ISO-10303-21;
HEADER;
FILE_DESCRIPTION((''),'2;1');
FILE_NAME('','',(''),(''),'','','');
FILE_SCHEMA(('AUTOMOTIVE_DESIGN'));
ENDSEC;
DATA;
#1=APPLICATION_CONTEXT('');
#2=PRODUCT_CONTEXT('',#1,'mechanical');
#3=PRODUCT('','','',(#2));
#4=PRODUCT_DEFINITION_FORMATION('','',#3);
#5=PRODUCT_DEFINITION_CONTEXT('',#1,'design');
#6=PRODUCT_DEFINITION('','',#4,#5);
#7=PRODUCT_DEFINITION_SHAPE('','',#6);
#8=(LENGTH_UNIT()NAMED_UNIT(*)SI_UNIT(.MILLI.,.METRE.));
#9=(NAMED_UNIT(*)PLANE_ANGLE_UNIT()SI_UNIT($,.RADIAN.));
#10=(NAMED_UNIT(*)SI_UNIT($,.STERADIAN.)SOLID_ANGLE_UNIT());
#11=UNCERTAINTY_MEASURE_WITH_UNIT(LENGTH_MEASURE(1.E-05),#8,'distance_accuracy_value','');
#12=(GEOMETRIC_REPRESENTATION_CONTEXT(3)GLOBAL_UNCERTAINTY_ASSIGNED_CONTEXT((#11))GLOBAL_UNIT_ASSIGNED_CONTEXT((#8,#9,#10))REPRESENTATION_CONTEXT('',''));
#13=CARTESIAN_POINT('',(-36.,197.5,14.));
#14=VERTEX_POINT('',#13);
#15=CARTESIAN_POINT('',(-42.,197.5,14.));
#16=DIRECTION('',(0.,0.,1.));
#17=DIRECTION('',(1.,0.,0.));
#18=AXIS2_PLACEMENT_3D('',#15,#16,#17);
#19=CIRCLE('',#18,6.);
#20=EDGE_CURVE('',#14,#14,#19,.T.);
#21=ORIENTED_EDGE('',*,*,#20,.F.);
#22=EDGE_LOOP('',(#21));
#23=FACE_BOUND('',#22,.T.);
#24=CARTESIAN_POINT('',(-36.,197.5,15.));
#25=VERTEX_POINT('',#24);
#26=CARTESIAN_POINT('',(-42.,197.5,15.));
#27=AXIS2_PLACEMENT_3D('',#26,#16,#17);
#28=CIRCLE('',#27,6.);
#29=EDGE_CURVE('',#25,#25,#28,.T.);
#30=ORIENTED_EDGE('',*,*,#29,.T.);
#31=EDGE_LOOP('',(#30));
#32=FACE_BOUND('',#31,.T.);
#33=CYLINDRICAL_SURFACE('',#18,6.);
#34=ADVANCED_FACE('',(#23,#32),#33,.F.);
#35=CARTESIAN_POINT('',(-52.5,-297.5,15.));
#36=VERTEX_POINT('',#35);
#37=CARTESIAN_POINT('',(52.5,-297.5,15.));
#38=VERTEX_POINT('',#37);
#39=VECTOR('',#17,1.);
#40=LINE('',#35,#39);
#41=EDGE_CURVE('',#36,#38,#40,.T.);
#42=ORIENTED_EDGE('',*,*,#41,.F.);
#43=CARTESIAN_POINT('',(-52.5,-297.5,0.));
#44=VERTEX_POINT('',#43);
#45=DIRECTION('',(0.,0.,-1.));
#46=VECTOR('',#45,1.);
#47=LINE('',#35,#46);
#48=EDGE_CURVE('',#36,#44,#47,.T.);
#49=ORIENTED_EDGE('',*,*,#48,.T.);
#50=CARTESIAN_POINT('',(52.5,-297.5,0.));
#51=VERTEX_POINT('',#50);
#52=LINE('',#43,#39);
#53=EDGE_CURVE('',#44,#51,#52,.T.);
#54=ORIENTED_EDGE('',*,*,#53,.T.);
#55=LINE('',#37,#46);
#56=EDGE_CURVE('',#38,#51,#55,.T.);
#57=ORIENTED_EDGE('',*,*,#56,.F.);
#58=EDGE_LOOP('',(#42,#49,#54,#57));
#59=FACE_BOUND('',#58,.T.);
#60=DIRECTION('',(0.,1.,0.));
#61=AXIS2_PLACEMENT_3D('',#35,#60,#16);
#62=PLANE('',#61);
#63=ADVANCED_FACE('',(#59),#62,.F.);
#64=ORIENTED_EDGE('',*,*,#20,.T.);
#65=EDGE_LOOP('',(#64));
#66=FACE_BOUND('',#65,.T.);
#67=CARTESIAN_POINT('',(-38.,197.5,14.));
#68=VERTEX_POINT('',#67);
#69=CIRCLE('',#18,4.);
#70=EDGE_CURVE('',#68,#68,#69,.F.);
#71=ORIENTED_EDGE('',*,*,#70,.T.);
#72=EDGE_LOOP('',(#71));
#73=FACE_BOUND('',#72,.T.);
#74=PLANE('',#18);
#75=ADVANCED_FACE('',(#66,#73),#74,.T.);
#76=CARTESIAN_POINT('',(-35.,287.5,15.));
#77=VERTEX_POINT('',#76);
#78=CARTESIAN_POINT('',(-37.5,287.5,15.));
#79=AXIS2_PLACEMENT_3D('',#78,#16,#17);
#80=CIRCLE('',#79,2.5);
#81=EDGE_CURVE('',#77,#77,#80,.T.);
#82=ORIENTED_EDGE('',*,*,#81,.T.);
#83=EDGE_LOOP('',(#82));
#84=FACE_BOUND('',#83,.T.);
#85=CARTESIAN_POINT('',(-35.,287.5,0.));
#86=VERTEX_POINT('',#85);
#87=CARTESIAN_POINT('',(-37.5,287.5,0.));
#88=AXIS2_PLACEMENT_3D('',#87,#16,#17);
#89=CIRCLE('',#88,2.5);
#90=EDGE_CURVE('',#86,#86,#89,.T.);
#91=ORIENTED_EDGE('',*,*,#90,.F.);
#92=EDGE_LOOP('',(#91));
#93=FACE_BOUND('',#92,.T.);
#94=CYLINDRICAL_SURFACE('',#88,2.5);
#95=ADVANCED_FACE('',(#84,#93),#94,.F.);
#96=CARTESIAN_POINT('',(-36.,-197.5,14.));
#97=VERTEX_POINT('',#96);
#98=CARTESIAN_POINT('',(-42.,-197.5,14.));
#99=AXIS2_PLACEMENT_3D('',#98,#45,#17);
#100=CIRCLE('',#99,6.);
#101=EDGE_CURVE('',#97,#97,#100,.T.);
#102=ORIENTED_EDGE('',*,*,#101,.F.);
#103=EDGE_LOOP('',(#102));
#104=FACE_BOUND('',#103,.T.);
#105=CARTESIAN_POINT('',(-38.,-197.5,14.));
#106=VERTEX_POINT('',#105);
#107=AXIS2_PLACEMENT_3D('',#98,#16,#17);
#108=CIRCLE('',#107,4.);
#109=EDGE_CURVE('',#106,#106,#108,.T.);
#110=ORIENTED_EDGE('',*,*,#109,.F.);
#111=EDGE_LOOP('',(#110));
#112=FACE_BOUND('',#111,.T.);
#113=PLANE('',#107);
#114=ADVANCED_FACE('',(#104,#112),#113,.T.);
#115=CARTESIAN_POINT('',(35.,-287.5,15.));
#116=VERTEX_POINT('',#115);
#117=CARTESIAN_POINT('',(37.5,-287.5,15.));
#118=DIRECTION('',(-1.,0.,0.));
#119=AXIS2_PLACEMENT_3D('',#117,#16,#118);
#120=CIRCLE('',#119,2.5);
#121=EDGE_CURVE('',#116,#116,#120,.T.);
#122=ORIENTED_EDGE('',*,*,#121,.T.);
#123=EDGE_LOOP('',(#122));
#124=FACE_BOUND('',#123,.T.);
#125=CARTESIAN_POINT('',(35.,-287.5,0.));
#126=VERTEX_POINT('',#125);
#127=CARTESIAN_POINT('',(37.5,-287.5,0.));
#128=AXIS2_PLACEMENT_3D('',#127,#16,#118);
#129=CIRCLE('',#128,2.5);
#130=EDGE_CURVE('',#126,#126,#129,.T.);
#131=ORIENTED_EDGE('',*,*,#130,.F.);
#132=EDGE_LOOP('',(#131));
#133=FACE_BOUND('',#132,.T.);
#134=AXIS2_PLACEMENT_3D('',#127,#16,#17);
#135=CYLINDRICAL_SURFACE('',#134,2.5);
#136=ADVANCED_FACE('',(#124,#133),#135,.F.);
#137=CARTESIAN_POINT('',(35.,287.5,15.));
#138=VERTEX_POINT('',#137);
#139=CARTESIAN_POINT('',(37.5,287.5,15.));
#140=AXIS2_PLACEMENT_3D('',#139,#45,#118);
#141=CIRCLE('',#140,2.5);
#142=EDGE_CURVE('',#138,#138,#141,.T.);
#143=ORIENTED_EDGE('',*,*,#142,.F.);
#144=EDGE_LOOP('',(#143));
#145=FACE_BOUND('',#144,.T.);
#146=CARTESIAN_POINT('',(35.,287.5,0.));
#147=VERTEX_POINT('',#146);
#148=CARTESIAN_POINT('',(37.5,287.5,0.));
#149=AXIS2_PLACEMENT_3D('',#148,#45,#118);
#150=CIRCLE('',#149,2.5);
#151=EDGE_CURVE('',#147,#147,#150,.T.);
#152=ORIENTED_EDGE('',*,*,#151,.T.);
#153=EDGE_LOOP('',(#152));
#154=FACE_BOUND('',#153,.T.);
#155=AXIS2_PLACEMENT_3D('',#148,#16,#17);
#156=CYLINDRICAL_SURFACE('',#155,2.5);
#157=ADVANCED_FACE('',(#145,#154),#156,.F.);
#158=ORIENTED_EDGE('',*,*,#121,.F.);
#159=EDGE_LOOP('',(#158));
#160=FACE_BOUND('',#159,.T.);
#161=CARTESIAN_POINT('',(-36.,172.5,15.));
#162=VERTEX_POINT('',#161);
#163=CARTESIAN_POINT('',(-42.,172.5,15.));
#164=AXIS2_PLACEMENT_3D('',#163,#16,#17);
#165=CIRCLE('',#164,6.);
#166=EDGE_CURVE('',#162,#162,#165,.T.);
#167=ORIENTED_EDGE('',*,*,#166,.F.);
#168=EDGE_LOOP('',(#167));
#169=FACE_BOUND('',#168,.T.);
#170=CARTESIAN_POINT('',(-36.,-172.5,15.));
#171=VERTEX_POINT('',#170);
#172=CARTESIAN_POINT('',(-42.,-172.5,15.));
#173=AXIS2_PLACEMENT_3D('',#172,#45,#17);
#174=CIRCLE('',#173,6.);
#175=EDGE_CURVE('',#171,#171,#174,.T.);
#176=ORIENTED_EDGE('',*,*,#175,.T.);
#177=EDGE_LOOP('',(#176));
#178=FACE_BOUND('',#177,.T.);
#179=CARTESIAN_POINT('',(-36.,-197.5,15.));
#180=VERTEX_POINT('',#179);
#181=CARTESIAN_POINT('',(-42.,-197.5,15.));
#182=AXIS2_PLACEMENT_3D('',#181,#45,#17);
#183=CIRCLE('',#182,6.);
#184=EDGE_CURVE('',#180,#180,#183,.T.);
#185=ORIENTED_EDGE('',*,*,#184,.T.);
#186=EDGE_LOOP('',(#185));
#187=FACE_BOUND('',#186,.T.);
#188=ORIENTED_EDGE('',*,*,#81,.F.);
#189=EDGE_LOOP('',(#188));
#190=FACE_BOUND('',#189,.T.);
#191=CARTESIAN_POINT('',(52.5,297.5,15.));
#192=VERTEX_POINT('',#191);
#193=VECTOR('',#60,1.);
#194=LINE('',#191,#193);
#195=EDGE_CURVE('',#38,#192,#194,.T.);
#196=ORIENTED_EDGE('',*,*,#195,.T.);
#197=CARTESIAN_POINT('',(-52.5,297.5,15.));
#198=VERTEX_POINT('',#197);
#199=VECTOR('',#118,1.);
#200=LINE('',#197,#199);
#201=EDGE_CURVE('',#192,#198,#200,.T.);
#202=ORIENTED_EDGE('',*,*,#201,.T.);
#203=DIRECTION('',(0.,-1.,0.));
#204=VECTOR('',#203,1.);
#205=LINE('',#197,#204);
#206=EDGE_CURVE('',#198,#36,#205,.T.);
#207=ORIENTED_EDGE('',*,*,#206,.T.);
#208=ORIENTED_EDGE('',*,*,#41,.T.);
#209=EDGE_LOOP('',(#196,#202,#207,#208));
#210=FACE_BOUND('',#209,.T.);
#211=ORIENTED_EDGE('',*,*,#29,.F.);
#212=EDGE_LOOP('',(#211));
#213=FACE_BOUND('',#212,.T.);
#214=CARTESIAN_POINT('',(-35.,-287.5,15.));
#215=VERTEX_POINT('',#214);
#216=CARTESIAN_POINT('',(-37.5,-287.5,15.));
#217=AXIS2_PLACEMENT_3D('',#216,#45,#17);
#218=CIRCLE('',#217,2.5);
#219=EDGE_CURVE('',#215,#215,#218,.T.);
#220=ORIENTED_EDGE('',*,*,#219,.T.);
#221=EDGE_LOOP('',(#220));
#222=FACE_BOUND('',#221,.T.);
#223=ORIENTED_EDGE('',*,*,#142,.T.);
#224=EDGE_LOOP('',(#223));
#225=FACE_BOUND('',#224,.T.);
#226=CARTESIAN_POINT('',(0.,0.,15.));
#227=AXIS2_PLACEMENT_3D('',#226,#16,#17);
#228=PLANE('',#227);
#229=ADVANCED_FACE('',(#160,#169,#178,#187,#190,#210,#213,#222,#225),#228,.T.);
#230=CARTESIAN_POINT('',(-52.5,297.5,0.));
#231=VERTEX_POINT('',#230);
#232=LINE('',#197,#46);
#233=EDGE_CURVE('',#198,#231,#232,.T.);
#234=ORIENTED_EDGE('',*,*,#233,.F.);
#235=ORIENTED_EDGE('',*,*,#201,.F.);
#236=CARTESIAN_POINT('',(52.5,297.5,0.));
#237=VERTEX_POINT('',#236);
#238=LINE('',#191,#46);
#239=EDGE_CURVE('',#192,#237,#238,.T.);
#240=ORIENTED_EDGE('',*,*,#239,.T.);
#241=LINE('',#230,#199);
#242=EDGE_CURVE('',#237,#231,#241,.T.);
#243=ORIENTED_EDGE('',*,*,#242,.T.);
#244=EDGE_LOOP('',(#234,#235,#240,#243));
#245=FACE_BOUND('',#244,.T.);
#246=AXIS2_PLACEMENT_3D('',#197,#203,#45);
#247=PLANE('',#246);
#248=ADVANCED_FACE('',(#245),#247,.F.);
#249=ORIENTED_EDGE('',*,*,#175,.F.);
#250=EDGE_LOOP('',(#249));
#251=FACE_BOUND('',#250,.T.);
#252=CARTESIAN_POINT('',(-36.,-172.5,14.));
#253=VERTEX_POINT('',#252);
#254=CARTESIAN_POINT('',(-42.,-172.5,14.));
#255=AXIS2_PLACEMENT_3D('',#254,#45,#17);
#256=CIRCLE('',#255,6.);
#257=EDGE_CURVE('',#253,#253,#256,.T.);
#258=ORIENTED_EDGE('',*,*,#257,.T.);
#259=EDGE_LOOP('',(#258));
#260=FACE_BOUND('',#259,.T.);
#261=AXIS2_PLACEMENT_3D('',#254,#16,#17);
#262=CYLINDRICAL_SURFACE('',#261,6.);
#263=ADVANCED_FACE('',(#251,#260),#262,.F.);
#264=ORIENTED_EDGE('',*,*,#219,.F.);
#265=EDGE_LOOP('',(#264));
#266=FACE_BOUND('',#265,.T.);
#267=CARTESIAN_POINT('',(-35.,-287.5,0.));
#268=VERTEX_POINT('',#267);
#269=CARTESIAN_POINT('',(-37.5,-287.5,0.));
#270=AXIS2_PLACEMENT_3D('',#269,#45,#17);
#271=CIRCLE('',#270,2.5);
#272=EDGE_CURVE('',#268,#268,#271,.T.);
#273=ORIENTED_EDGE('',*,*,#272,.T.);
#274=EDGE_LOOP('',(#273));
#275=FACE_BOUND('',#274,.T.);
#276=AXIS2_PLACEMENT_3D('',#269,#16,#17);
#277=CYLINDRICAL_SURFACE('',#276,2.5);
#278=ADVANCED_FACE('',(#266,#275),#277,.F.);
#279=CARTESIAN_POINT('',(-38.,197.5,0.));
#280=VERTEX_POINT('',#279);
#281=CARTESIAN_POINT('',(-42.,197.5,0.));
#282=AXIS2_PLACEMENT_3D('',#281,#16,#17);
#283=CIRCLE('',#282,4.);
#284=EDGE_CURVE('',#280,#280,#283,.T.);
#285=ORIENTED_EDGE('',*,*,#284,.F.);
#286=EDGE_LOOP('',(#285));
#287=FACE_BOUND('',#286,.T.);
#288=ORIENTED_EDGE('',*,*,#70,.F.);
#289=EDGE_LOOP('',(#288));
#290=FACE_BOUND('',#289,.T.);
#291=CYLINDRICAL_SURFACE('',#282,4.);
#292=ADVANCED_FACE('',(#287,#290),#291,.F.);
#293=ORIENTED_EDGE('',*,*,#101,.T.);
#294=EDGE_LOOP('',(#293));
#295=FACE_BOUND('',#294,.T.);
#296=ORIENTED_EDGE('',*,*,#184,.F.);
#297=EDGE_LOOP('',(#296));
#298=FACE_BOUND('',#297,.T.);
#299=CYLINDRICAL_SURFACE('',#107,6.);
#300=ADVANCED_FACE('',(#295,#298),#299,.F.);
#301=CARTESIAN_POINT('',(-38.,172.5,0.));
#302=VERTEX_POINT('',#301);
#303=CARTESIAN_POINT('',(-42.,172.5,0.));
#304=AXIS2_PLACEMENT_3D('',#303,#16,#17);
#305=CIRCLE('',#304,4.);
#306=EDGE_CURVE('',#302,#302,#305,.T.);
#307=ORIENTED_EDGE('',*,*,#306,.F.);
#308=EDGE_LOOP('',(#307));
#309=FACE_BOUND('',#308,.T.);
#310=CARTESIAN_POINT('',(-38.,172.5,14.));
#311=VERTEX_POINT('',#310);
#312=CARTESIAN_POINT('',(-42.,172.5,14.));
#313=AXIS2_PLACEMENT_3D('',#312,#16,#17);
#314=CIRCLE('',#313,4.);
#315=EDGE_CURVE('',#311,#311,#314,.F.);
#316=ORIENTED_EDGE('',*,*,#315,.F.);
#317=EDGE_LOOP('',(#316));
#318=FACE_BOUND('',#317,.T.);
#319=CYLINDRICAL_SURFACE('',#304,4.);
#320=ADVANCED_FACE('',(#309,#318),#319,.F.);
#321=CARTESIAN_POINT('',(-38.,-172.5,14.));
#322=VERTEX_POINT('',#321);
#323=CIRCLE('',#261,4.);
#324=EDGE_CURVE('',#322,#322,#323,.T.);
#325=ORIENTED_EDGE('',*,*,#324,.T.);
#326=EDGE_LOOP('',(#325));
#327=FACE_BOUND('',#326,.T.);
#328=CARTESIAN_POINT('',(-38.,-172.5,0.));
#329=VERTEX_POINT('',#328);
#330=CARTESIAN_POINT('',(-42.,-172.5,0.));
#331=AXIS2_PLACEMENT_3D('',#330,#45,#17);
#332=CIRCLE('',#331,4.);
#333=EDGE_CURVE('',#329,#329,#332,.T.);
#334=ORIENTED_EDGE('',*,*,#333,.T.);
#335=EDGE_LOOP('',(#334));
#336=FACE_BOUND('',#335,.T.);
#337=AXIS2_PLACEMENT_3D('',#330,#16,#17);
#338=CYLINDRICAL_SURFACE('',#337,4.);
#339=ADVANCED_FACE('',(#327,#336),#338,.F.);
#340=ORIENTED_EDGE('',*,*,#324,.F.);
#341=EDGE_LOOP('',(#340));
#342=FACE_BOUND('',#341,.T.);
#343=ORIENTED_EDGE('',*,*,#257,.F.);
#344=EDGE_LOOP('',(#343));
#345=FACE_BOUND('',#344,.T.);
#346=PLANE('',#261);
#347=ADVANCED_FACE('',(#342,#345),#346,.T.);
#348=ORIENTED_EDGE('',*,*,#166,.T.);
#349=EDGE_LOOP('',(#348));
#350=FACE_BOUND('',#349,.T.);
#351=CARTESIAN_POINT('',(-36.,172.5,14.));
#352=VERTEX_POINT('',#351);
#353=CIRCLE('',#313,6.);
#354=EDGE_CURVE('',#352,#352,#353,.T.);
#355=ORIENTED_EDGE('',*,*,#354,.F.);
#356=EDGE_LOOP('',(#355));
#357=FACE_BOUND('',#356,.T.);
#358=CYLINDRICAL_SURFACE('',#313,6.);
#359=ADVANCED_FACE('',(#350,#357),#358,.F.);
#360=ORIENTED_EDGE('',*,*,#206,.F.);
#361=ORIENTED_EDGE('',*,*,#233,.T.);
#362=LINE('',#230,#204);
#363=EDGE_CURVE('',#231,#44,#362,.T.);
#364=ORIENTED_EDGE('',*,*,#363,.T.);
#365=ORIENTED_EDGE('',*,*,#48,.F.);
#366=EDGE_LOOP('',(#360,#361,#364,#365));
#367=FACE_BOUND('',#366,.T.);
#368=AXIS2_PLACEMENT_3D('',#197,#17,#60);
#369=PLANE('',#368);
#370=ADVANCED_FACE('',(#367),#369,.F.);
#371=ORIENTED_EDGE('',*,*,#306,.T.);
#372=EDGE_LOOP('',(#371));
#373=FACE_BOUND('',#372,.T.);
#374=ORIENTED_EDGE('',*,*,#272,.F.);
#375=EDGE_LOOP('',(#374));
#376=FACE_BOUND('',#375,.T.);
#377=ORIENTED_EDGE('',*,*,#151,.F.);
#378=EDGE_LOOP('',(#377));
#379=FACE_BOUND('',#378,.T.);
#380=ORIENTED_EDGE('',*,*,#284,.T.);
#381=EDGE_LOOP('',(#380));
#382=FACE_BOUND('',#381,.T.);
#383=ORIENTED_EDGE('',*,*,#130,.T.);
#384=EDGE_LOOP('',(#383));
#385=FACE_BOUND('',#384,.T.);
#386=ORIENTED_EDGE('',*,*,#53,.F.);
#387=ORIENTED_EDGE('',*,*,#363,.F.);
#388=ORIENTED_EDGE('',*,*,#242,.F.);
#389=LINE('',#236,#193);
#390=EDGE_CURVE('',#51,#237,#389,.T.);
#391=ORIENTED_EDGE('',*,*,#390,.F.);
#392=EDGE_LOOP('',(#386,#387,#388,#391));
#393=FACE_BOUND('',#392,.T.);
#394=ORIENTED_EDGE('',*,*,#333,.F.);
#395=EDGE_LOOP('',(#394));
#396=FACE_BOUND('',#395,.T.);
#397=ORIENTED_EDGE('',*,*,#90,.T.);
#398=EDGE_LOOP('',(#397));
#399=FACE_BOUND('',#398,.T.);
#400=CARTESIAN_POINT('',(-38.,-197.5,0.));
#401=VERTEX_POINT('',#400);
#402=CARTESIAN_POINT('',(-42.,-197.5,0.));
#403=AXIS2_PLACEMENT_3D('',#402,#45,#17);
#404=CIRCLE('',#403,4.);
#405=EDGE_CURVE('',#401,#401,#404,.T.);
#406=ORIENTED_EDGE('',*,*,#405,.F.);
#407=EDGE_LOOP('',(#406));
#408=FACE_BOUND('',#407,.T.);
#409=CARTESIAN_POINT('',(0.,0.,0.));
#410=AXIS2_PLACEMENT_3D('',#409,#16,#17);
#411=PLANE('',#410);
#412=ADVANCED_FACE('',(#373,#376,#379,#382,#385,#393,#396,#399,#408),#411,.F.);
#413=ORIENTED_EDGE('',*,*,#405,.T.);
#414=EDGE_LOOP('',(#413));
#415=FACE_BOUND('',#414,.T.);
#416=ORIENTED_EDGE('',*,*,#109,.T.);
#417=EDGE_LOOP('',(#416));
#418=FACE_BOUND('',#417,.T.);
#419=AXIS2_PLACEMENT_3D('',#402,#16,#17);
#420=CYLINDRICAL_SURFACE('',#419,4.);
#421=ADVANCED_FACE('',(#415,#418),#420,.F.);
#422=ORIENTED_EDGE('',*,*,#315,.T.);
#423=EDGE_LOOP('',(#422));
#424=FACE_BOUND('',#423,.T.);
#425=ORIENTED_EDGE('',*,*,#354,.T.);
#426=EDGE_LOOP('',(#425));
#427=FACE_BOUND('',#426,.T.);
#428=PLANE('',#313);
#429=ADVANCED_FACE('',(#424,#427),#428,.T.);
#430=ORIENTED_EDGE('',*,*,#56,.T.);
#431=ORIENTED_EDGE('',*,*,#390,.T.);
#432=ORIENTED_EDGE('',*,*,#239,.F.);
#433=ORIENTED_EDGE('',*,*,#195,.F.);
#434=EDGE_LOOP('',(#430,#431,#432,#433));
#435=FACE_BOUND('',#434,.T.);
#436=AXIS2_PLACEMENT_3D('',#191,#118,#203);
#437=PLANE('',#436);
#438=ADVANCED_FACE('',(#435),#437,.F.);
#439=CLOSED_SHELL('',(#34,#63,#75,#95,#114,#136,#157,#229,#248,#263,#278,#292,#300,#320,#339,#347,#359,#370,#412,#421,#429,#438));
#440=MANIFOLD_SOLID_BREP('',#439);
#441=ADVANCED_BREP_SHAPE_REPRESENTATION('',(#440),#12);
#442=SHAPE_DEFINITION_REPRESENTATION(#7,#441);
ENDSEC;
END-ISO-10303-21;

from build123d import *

# Parameters (mm, degrees)
SKETCH_1_W               = 105
SKETCH_1_H               = 595
EXTRUDE_1_DEPTH          = 15
SKETCH_2_R               = 4
CUT_EXTRUDE_2_DEPTH      = 303.469006677
SKETCH_2_5_R             = 2.5
CUT_EXTRUDE_3_DEPTH      = 303.469006677
MIRROR_3_COPY_1_SKETCH_R = 2.5
MIRROR_3_COPY_1_DEPTH    = 303.469006677
MIRROR_3_COPY_2_SKETCH_R = 2.5
MIRROR_3_COPY_2_DEPTH    = 303.469006677
SKETCH_3_R               = 6
CUT_EXTRUDE_4_DEPTH      = 1


with BuildPart() as part:
    # ｽｹｯﾁ1 → ﾎﾞｽ - 押し出し1 (new body)
    with BuildSketch(Plane.XY):
        Rectangle(SKETCH_1_W, SKETCH_1_H)
    extrude(amount=EXTRUDE_1_DEPTH)

    # ｽｹｯﾁ2 → ｶｯﾄ - 押し出し2 (cut, through all)
    with BuildSketch(Plane.XY.offset(15)):
        with Locations((-42, 197.5)):
            Circle(SKETCH_2_R)
        with Locations((-42, 172.5)):
            Circle(SKETCH_2_R)
    cut_extrude_2 = extrude(amount=-CUT_EXTRUDE_2_DEPTH, mode=Mode.SUBTRACT)

    # ｽｹｯﾁ2<5> → ｶｯﾄ - 押し出し3 (cut, through all)
    with BuildSketch(Plane.XY.offset(15)):
        with Locations((-37.5, 287.5)):
            Circle(SKETCH_2_5_R)
    cut_extrude_3 = extrude(amount=-CUT_EXTRUDE_3_DEPTH, mode=Mode.SUBTRACT)

    # ﾐﾗｰ1: ｶｯﾄ - 押し出し3 across plane
    add(cut_extrude_3.mirror(Plane.ZX), mode=Mode.SUBTRACT)

    # ﾐﾗｰ2: ｶｯﾄ - 押し出し2 across plane
    add(cut_extrude_2.mirror(Plane.ZX), mode=Mode.SUBTRACT)

    # ﾐﾗｰ3 copy 1 sketch → ﾐﾗｰ3 copy 1 (cut, through all)
    with BuildSketch(Plane(origin=(0, 0, 15), x_dir=(-1, 0, 0), z_dir=(0, 0, 1))):
        with Locations((-37.5, 287.5)):
            Circle(MIRROR_3_COPY_1_SKETCH_R)
    extrude(amount=-MIRROR_3_COPY_1_DEPTH, mode=Mode.SUBTRACT)

    # ﾐﾗｰ3 copy 2 sketch → ﾐﾗｰ3 copy 2 (cut, through all)
    with BuildSketch(Plane(origin=(0, 0, 15), x_dir=(-1, 0, 0), z_dir=(0, 0, 1))):
        with Locations((-37.5, -287.5)):
            Circle(MIRROR_3_COPY_2_SKETCH_R)
    extrude(amount=-MIRROR_3_COPY_2_DEPTH, mode=Mode.SUBTRACT)

    # ｽｹｯﾁ3 → ｶｯﾄ - 押し出し4 (cut)
    with BuildSketch(Plane.XY.offset(15)):
        with Locations((-42, 197.5)):
            Circle(SKETCH_3_R)
        with Locations((-42, 172.5)):
            Circle(SKETCH_3_R)
    cut_extrude_4 = extrude(amount=-CUT_EXTRUDE_4_DEPTH, mode=Mode.SUBTRACT)

    # ﾐﾗｰ4: ｶｯﾄ - 押し出し4 across plane
    add(cut_extrude_4.mirror(Plane.ZX), mode=Mode.SUBTRACT)


solid = part.part
